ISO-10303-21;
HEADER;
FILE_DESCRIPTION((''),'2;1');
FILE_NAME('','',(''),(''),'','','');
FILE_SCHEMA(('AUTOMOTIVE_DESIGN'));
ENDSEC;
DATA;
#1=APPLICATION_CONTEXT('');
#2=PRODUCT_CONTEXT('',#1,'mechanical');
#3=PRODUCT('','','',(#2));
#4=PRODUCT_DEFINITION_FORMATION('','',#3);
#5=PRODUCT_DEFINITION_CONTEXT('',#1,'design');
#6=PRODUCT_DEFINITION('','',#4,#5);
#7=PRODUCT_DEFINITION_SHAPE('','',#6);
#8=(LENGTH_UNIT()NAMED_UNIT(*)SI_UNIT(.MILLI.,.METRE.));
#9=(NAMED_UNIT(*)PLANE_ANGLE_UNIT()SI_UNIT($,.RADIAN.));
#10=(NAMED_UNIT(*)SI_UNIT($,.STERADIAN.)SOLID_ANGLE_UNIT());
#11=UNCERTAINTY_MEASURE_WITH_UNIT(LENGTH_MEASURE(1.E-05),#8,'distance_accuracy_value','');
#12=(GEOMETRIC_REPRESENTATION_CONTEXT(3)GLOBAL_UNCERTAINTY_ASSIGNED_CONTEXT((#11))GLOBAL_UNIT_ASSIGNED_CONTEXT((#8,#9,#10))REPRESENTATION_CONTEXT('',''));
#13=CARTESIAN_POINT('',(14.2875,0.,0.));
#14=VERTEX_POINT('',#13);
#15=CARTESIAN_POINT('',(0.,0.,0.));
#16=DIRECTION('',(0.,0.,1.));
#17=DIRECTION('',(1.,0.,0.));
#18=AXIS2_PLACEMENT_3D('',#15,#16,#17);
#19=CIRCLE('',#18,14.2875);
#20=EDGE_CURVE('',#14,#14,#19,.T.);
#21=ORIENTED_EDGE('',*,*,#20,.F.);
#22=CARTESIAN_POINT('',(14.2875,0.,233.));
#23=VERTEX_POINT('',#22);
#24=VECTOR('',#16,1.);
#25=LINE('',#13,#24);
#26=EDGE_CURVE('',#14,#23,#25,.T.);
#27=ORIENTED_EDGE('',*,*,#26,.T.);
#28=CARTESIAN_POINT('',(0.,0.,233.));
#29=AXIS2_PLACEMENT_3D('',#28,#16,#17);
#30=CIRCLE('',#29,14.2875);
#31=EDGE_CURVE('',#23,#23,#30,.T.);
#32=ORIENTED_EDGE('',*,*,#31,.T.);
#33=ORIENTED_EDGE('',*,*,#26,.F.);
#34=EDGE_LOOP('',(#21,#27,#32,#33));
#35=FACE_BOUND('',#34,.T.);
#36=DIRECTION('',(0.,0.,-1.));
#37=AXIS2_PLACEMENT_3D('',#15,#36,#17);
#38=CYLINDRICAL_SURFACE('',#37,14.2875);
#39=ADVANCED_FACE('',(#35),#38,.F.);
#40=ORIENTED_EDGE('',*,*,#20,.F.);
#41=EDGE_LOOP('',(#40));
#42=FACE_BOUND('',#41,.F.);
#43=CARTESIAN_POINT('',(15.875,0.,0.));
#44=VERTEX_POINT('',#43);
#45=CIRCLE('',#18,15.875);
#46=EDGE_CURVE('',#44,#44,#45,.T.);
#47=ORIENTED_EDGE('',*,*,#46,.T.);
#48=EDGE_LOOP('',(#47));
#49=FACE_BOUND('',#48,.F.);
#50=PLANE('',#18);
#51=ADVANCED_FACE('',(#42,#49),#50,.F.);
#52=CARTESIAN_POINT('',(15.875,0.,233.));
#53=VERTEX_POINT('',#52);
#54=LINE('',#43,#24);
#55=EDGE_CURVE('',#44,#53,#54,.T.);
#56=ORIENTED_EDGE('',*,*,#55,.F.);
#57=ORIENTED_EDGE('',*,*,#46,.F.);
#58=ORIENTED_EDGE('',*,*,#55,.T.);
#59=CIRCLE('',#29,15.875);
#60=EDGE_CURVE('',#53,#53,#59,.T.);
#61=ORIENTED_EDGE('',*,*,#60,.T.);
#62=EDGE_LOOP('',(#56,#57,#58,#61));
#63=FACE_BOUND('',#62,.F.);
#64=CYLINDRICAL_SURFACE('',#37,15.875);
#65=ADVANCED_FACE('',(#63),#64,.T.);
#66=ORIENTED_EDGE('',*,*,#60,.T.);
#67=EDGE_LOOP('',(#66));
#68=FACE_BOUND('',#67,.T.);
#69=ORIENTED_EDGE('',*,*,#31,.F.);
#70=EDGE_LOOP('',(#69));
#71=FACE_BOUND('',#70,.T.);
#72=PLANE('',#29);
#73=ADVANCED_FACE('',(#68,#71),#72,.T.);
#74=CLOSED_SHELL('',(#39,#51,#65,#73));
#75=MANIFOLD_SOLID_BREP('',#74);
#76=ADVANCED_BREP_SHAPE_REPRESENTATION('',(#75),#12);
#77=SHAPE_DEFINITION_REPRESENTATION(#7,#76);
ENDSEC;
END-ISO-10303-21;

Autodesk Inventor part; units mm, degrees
ref_plane "YZ Plane" through (0, 0, 0) normal (1, 0, 0) x (0, 1, 0)
ref_plane "XZ Plane" through (0, 0, 0) normal (0, 1, 0) x (-1, 0, 0)
ref_plane "XY Plane" through (0, 0, 0) normal (0, 0, 1) x (1, 0, 0)
sketch "Sketch1" plane through (0, 0, 0) normal (0, 0, 1) x (1, 0, 0)
  circle A0 centre (0, 0) radius 15.875
  circle A1 centre (0, 0) radius 14.2875
  dimension "BattOD" = 31.75
  dimension "BattID" = 28.575
extrude "Extrusion1" add sketch "Sketch1" along normal blind 233
properties part number "BatteryTube" material "PET Plastic"
